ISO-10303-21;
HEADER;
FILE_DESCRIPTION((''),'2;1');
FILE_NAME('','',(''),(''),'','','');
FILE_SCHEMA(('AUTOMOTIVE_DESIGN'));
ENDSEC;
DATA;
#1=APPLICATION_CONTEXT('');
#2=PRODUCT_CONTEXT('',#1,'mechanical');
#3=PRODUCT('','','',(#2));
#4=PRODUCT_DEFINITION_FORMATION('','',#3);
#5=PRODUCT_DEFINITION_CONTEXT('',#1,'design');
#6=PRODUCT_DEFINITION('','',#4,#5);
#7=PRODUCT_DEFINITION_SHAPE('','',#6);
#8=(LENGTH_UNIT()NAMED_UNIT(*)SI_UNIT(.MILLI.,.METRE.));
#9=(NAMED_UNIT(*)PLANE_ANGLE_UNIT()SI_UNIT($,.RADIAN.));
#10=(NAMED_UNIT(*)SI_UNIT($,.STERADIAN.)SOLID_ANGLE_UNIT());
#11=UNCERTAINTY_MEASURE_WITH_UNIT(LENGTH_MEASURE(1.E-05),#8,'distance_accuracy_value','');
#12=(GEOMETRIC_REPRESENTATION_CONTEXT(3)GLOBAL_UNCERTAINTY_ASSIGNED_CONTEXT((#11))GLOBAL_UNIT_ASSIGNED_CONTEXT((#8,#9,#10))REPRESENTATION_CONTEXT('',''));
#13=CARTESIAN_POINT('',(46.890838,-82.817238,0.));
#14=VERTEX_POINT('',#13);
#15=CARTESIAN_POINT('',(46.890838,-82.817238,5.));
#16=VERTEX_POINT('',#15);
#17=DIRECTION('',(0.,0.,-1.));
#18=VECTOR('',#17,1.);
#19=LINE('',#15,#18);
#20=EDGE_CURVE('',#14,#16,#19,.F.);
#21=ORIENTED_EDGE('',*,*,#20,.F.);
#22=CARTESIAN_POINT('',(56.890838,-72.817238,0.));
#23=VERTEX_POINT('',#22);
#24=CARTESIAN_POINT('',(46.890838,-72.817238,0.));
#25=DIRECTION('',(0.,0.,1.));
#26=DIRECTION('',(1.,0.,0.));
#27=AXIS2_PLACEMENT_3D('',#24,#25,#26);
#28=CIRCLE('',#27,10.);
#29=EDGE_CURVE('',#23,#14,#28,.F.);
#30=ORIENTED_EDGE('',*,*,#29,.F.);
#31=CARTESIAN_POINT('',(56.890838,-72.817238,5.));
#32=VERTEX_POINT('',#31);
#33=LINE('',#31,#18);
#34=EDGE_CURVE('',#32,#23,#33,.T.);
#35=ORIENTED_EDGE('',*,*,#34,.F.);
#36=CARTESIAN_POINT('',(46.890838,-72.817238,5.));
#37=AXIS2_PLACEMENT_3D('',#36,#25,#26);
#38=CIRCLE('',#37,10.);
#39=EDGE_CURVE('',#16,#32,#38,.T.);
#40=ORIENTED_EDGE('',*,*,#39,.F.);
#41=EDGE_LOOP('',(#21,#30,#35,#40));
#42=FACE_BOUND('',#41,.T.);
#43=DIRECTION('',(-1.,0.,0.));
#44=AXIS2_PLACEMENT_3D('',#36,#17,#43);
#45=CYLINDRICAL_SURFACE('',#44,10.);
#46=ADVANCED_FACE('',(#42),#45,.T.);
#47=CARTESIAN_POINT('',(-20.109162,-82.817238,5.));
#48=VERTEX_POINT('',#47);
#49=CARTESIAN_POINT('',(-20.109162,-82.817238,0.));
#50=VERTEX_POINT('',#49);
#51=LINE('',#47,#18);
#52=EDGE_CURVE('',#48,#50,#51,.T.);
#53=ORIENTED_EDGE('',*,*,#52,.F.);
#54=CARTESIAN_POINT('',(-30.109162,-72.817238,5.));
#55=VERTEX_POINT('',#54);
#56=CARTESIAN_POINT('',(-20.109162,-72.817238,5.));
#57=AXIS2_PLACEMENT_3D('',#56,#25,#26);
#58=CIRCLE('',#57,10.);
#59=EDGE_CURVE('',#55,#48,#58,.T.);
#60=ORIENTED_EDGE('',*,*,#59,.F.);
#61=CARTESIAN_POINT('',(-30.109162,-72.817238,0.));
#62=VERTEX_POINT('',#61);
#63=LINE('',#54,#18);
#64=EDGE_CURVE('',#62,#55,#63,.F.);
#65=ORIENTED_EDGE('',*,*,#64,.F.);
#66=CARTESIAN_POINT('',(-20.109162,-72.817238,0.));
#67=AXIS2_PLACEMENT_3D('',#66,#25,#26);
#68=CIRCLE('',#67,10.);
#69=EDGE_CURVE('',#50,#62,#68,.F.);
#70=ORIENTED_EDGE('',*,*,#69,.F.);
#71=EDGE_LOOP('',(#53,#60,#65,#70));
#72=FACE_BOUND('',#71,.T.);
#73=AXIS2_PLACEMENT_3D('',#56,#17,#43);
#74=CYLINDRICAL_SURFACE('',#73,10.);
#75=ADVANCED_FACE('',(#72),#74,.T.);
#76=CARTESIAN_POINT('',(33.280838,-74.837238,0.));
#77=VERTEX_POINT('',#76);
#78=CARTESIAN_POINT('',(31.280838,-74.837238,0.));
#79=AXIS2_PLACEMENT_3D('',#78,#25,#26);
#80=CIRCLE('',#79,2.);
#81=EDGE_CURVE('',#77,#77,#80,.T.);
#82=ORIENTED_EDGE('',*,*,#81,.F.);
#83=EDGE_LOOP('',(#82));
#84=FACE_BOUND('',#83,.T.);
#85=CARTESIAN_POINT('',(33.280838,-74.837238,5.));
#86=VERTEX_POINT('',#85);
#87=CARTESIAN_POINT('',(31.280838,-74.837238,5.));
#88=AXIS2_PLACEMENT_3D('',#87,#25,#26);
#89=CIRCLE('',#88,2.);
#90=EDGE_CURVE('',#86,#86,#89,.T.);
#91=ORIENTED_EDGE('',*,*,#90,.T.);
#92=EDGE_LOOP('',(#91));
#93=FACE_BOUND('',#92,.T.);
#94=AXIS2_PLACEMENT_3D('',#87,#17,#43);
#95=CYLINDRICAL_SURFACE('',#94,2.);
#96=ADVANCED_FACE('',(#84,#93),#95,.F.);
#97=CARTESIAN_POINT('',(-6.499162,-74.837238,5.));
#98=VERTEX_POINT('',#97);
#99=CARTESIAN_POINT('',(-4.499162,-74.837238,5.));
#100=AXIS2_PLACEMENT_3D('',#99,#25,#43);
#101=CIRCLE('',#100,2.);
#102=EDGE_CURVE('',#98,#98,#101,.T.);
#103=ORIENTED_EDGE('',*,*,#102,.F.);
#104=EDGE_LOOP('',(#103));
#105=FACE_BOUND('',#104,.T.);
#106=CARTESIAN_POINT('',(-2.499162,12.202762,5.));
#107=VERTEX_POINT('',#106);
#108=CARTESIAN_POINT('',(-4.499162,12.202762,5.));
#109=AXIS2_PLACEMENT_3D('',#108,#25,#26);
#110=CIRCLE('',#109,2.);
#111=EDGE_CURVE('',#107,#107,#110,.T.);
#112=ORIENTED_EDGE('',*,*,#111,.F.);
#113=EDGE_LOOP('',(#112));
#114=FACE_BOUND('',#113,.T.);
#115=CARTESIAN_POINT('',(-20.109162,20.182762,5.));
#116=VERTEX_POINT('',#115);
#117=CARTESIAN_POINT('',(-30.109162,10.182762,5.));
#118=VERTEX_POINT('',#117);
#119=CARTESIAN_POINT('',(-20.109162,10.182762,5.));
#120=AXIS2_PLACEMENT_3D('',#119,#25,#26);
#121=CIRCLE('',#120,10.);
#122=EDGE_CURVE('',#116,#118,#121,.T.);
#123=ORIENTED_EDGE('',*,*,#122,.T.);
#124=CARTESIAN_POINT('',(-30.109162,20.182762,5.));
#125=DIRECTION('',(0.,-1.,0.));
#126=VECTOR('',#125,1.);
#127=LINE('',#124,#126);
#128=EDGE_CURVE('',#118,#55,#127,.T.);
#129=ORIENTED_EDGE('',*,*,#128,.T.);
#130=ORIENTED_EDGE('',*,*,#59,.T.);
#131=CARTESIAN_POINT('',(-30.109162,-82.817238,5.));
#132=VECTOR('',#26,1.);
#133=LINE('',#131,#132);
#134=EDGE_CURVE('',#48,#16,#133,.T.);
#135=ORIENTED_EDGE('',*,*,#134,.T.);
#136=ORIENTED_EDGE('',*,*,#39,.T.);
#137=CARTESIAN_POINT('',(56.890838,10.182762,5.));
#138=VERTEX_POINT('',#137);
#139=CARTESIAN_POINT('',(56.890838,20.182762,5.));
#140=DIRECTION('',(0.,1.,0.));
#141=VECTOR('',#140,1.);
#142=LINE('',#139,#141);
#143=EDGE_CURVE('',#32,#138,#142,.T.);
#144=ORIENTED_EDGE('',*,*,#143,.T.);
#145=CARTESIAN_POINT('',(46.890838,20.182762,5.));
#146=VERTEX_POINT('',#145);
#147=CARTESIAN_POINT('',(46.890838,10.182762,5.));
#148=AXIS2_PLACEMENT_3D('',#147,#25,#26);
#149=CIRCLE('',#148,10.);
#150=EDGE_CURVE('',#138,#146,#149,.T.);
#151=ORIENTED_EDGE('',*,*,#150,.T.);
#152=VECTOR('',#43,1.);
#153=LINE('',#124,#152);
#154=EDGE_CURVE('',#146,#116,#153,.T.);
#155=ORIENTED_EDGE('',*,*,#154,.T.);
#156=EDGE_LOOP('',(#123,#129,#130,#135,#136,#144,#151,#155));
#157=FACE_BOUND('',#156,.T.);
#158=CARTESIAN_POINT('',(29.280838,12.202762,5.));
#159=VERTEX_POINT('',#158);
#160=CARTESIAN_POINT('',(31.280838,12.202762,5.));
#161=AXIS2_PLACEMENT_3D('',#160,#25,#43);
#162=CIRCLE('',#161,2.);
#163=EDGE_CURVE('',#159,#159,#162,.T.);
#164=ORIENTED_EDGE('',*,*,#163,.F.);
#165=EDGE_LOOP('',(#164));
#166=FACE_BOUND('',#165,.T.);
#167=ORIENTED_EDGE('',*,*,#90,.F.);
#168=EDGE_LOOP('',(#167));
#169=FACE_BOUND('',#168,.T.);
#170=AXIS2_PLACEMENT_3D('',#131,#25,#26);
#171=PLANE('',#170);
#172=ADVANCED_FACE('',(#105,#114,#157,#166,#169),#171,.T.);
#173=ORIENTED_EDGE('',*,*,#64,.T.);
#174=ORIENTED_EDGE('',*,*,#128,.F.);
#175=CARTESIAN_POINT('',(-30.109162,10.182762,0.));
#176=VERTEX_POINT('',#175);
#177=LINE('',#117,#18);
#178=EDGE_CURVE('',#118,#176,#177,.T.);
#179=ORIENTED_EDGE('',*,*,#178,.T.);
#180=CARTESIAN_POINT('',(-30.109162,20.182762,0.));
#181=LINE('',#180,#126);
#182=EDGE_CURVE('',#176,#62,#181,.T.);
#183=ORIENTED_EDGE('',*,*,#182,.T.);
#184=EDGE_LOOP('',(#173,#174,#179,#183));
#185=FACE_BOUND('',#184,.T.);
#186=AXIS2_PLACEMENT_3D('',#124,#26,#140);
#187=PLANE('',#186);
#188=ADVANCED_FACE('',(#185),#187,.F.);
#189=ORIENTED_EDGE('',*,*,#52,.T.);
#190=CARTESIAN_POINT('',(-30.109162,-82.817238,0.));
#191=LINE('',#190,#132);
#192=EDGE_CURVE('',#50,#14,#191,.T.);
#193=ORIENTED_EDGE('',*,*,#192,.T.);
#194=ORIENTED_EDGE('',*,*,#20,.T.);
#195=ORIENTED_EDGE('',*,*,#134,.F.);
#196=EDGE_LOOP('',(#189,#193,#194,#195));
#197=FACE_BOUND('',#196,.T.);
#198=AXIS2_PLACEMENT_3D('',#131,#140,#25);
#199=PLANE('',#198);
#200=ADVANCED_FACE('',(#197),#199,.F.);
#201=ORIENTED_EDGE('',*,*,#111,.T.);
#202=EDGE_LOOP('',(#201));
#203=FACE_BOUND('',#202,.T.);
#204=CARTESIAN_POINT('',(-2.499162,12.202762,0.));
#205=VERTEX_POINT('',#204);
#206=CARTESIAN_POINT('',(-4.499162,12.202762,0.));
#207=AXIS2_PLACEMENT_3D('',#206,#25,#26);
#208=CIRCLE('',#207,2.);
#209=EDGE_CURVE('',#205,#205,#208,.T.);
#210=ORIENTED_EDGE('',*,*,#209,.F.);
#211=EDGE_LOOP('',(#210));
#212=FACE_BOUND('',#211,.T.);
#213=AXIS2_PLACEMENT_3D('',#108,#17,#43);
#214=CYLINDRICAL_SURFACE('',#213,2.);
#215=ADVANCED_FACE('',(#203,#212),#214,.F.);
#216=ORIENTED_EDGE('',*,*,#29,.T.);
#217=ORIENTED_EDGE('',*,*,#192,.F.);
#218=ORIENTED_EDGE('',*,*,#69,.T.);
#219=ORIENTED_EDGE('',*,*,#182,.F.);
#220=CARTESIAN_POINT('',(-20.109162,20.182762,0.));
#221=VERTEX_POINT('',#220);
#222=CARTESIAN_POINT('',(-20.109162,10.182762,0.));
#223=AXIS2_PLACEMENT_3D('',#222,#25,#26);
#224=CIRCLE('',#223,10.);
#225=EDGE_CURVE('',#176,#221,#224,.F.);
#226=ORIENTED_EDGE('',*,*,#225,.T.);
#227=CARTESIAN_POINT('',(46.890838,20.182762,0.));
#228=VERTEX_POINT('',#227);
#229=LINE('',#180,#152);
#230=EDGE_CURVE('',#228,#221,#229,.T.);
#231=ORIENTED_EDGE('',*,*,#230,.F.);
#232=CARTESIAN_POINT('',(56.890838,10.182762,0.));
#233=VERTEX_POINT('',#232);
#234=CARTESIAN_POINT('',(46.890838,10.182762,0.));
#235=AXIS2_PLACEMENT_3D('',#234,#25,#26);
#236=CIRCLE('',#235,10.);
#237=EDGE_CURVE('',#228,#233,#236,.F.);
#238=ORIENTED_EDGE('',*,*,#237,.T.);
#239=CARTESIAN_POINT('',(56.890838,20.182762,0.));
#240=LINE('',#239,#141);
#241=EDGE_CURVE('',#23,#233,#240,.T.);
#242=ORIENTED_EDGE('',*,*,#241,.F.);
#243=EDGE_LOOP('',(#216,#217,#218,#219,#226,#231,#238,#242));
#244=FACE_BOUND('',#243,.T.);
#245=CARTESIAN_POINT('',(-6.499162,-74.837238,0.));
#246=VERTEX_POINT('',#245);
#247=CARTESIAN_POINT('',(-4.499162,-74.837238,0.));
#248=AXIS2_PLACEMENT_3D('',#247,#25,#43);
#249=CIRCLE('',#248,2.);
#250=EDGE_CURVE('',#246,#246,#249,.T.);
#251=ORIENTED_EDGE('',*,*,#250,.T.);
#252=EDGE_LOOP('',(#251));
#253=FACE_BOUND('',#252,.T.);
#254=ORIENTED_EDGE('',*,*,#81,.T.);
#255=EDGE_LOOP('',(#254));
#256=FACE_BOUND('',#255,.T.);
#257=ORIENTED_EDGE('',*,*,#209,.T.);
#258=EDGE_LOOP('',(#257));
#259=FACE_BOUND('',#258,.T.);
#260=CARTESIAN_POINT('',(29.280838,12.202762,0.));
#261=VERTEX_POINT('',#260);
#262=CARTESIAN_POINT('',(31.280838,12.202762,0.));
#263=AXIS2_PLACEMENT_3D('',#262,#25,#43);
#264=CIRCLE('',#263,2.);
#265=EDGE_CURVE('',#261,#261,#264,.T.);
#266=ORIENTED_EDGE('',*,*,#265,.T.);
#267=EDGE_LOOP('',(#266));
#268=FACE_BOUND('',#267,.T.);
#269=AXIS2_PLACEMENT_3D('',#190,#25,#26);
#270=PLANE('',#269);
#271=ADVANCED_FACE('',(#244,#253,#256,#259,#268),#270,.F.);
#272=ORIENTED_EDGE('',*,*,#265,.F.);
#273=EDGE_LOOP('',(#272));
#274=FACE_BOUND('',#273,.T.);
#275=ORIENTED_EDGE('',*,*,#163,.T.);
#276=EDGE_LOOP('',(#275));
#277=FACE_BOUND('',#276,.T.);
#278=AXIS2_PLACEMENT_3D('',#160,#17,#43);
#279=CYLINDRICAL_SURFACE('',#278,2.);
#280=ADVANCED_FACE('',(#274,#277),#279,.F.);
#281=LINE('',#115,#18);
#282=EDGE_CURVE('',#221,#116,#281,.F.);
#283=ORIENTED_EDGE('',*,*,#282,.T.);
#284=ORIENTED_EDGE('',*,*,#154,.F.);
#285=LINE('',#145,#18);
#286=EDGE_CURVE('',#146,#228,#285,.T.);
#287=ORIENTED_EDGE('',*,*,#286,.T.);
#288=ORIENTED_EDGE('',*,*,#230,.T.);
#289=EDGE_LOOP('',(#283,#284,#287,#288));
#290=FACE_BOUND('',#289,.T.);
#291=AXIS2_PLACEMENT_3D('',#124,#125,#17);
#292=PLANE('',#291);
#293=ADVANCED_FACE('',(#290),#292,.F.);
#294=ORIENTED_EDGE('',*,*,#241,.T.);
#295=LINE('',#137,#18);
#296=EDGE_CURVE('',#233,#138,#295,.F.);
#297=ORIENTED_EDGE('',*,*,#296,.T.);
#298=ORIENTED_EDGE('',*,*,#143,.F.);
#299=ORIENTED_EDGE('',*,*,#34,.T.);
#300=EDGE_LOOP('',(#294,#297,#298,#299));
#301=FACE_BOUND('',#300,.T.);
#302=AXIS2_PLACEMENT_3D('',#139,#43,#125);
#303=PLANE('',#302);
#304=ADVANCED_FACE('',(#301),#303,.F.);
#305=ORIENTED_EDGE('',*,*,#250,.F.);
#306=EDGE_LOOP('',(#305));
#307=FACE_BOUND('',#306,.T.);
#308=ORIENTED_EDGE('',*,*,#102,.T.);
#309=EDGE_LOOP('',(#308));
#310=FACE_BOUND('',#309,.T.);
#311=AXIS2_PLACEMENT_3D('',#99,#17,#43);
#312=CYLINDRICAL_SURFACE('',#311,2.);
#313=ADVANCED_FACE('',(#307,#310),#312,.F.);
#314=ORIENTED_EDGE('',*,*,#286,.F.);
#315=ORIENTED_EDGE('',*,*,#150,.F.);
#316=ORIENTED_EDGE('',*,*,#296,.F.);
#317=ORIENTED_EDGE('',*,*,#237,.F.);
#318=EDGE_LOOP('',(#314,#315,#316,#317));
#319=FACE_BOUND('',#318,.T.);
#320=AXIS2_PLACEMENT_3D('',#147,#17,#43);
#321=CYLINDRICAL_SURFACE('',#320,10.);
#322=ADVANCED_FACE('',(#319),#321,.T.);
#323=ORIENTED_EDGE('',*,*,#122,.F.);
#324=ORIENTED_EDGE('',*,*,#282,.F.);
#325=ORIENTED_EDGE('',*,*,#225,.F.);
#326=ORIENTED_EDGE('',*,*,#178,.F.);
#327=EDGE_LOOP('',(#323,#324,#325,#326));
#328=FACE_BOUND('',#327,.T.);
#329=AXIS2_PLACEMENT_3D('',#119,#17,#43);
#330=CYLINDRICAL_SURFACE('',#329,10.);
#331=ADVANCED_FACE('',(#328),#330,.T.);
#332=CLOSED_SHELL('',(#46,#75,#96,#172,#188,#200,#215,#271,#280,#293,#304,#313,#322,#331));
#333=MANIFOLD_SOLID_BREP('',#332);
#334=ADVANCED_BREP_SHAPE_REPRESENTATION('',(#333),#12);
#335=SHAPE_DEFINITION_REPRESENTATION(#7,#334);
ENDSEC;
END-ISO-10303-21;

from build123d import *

# Parameters (mm, degrees)
CROQUIS1_W              = 87
CROQUIS1_H              = 103
CROQUIS1_R              = 2
SALIENTE_EXTRUIR1_DEPTH = 5
REDONDEO1_R             = 10


with BuildPart() as part:
    # Croquis1 → Saliente-Extruir1 (new body)
    with BuildSketch(Plane.XY):
        with Locations((13.390838462, -31.317238422)):
            Rectangle(CROQUIS1_W, CROQUIS1_H)
        with Locations((-4.499161538, 12.202761578)):
            Circle(CROQUIS1_R, mode=Mode.SUBTRACT)
        with Locations(Location((31.280838462, 12.202761578, 0), (0, 0, 180))):
            Circle(CROQUIS1_R, mode=Mode.SUBTRACT)
        with Locations((31.280838462, -74.837238422)):
            Circle(CROQUIS1_R, mode=Mode.SUBTRACT)
        with Locations(Location((-4.499161538, -74.837238422, 0), (0, 0, 180))):
            Circle(CROQUIS1_R, mode=Mode.SUBTRACT)
    extrude(amount=SALIENTE_EXTRUIR1_DEPTH)

    # Redondeo1
    redondeo1_edges = [part.edges().sort_by_distance(p)[0] for p in [
        (-30.109161538, 20.182761578, 2.5),
        (56.890838462, 20.182761578, 2.5),
        (56.890838462, -82.817238422, 2.5),
        (-30.109161538, -82.817238422, 2.5),
    ]]
    fillet(redondeo1_edges, radius=REDONDEO1_R)


solid = part.part
